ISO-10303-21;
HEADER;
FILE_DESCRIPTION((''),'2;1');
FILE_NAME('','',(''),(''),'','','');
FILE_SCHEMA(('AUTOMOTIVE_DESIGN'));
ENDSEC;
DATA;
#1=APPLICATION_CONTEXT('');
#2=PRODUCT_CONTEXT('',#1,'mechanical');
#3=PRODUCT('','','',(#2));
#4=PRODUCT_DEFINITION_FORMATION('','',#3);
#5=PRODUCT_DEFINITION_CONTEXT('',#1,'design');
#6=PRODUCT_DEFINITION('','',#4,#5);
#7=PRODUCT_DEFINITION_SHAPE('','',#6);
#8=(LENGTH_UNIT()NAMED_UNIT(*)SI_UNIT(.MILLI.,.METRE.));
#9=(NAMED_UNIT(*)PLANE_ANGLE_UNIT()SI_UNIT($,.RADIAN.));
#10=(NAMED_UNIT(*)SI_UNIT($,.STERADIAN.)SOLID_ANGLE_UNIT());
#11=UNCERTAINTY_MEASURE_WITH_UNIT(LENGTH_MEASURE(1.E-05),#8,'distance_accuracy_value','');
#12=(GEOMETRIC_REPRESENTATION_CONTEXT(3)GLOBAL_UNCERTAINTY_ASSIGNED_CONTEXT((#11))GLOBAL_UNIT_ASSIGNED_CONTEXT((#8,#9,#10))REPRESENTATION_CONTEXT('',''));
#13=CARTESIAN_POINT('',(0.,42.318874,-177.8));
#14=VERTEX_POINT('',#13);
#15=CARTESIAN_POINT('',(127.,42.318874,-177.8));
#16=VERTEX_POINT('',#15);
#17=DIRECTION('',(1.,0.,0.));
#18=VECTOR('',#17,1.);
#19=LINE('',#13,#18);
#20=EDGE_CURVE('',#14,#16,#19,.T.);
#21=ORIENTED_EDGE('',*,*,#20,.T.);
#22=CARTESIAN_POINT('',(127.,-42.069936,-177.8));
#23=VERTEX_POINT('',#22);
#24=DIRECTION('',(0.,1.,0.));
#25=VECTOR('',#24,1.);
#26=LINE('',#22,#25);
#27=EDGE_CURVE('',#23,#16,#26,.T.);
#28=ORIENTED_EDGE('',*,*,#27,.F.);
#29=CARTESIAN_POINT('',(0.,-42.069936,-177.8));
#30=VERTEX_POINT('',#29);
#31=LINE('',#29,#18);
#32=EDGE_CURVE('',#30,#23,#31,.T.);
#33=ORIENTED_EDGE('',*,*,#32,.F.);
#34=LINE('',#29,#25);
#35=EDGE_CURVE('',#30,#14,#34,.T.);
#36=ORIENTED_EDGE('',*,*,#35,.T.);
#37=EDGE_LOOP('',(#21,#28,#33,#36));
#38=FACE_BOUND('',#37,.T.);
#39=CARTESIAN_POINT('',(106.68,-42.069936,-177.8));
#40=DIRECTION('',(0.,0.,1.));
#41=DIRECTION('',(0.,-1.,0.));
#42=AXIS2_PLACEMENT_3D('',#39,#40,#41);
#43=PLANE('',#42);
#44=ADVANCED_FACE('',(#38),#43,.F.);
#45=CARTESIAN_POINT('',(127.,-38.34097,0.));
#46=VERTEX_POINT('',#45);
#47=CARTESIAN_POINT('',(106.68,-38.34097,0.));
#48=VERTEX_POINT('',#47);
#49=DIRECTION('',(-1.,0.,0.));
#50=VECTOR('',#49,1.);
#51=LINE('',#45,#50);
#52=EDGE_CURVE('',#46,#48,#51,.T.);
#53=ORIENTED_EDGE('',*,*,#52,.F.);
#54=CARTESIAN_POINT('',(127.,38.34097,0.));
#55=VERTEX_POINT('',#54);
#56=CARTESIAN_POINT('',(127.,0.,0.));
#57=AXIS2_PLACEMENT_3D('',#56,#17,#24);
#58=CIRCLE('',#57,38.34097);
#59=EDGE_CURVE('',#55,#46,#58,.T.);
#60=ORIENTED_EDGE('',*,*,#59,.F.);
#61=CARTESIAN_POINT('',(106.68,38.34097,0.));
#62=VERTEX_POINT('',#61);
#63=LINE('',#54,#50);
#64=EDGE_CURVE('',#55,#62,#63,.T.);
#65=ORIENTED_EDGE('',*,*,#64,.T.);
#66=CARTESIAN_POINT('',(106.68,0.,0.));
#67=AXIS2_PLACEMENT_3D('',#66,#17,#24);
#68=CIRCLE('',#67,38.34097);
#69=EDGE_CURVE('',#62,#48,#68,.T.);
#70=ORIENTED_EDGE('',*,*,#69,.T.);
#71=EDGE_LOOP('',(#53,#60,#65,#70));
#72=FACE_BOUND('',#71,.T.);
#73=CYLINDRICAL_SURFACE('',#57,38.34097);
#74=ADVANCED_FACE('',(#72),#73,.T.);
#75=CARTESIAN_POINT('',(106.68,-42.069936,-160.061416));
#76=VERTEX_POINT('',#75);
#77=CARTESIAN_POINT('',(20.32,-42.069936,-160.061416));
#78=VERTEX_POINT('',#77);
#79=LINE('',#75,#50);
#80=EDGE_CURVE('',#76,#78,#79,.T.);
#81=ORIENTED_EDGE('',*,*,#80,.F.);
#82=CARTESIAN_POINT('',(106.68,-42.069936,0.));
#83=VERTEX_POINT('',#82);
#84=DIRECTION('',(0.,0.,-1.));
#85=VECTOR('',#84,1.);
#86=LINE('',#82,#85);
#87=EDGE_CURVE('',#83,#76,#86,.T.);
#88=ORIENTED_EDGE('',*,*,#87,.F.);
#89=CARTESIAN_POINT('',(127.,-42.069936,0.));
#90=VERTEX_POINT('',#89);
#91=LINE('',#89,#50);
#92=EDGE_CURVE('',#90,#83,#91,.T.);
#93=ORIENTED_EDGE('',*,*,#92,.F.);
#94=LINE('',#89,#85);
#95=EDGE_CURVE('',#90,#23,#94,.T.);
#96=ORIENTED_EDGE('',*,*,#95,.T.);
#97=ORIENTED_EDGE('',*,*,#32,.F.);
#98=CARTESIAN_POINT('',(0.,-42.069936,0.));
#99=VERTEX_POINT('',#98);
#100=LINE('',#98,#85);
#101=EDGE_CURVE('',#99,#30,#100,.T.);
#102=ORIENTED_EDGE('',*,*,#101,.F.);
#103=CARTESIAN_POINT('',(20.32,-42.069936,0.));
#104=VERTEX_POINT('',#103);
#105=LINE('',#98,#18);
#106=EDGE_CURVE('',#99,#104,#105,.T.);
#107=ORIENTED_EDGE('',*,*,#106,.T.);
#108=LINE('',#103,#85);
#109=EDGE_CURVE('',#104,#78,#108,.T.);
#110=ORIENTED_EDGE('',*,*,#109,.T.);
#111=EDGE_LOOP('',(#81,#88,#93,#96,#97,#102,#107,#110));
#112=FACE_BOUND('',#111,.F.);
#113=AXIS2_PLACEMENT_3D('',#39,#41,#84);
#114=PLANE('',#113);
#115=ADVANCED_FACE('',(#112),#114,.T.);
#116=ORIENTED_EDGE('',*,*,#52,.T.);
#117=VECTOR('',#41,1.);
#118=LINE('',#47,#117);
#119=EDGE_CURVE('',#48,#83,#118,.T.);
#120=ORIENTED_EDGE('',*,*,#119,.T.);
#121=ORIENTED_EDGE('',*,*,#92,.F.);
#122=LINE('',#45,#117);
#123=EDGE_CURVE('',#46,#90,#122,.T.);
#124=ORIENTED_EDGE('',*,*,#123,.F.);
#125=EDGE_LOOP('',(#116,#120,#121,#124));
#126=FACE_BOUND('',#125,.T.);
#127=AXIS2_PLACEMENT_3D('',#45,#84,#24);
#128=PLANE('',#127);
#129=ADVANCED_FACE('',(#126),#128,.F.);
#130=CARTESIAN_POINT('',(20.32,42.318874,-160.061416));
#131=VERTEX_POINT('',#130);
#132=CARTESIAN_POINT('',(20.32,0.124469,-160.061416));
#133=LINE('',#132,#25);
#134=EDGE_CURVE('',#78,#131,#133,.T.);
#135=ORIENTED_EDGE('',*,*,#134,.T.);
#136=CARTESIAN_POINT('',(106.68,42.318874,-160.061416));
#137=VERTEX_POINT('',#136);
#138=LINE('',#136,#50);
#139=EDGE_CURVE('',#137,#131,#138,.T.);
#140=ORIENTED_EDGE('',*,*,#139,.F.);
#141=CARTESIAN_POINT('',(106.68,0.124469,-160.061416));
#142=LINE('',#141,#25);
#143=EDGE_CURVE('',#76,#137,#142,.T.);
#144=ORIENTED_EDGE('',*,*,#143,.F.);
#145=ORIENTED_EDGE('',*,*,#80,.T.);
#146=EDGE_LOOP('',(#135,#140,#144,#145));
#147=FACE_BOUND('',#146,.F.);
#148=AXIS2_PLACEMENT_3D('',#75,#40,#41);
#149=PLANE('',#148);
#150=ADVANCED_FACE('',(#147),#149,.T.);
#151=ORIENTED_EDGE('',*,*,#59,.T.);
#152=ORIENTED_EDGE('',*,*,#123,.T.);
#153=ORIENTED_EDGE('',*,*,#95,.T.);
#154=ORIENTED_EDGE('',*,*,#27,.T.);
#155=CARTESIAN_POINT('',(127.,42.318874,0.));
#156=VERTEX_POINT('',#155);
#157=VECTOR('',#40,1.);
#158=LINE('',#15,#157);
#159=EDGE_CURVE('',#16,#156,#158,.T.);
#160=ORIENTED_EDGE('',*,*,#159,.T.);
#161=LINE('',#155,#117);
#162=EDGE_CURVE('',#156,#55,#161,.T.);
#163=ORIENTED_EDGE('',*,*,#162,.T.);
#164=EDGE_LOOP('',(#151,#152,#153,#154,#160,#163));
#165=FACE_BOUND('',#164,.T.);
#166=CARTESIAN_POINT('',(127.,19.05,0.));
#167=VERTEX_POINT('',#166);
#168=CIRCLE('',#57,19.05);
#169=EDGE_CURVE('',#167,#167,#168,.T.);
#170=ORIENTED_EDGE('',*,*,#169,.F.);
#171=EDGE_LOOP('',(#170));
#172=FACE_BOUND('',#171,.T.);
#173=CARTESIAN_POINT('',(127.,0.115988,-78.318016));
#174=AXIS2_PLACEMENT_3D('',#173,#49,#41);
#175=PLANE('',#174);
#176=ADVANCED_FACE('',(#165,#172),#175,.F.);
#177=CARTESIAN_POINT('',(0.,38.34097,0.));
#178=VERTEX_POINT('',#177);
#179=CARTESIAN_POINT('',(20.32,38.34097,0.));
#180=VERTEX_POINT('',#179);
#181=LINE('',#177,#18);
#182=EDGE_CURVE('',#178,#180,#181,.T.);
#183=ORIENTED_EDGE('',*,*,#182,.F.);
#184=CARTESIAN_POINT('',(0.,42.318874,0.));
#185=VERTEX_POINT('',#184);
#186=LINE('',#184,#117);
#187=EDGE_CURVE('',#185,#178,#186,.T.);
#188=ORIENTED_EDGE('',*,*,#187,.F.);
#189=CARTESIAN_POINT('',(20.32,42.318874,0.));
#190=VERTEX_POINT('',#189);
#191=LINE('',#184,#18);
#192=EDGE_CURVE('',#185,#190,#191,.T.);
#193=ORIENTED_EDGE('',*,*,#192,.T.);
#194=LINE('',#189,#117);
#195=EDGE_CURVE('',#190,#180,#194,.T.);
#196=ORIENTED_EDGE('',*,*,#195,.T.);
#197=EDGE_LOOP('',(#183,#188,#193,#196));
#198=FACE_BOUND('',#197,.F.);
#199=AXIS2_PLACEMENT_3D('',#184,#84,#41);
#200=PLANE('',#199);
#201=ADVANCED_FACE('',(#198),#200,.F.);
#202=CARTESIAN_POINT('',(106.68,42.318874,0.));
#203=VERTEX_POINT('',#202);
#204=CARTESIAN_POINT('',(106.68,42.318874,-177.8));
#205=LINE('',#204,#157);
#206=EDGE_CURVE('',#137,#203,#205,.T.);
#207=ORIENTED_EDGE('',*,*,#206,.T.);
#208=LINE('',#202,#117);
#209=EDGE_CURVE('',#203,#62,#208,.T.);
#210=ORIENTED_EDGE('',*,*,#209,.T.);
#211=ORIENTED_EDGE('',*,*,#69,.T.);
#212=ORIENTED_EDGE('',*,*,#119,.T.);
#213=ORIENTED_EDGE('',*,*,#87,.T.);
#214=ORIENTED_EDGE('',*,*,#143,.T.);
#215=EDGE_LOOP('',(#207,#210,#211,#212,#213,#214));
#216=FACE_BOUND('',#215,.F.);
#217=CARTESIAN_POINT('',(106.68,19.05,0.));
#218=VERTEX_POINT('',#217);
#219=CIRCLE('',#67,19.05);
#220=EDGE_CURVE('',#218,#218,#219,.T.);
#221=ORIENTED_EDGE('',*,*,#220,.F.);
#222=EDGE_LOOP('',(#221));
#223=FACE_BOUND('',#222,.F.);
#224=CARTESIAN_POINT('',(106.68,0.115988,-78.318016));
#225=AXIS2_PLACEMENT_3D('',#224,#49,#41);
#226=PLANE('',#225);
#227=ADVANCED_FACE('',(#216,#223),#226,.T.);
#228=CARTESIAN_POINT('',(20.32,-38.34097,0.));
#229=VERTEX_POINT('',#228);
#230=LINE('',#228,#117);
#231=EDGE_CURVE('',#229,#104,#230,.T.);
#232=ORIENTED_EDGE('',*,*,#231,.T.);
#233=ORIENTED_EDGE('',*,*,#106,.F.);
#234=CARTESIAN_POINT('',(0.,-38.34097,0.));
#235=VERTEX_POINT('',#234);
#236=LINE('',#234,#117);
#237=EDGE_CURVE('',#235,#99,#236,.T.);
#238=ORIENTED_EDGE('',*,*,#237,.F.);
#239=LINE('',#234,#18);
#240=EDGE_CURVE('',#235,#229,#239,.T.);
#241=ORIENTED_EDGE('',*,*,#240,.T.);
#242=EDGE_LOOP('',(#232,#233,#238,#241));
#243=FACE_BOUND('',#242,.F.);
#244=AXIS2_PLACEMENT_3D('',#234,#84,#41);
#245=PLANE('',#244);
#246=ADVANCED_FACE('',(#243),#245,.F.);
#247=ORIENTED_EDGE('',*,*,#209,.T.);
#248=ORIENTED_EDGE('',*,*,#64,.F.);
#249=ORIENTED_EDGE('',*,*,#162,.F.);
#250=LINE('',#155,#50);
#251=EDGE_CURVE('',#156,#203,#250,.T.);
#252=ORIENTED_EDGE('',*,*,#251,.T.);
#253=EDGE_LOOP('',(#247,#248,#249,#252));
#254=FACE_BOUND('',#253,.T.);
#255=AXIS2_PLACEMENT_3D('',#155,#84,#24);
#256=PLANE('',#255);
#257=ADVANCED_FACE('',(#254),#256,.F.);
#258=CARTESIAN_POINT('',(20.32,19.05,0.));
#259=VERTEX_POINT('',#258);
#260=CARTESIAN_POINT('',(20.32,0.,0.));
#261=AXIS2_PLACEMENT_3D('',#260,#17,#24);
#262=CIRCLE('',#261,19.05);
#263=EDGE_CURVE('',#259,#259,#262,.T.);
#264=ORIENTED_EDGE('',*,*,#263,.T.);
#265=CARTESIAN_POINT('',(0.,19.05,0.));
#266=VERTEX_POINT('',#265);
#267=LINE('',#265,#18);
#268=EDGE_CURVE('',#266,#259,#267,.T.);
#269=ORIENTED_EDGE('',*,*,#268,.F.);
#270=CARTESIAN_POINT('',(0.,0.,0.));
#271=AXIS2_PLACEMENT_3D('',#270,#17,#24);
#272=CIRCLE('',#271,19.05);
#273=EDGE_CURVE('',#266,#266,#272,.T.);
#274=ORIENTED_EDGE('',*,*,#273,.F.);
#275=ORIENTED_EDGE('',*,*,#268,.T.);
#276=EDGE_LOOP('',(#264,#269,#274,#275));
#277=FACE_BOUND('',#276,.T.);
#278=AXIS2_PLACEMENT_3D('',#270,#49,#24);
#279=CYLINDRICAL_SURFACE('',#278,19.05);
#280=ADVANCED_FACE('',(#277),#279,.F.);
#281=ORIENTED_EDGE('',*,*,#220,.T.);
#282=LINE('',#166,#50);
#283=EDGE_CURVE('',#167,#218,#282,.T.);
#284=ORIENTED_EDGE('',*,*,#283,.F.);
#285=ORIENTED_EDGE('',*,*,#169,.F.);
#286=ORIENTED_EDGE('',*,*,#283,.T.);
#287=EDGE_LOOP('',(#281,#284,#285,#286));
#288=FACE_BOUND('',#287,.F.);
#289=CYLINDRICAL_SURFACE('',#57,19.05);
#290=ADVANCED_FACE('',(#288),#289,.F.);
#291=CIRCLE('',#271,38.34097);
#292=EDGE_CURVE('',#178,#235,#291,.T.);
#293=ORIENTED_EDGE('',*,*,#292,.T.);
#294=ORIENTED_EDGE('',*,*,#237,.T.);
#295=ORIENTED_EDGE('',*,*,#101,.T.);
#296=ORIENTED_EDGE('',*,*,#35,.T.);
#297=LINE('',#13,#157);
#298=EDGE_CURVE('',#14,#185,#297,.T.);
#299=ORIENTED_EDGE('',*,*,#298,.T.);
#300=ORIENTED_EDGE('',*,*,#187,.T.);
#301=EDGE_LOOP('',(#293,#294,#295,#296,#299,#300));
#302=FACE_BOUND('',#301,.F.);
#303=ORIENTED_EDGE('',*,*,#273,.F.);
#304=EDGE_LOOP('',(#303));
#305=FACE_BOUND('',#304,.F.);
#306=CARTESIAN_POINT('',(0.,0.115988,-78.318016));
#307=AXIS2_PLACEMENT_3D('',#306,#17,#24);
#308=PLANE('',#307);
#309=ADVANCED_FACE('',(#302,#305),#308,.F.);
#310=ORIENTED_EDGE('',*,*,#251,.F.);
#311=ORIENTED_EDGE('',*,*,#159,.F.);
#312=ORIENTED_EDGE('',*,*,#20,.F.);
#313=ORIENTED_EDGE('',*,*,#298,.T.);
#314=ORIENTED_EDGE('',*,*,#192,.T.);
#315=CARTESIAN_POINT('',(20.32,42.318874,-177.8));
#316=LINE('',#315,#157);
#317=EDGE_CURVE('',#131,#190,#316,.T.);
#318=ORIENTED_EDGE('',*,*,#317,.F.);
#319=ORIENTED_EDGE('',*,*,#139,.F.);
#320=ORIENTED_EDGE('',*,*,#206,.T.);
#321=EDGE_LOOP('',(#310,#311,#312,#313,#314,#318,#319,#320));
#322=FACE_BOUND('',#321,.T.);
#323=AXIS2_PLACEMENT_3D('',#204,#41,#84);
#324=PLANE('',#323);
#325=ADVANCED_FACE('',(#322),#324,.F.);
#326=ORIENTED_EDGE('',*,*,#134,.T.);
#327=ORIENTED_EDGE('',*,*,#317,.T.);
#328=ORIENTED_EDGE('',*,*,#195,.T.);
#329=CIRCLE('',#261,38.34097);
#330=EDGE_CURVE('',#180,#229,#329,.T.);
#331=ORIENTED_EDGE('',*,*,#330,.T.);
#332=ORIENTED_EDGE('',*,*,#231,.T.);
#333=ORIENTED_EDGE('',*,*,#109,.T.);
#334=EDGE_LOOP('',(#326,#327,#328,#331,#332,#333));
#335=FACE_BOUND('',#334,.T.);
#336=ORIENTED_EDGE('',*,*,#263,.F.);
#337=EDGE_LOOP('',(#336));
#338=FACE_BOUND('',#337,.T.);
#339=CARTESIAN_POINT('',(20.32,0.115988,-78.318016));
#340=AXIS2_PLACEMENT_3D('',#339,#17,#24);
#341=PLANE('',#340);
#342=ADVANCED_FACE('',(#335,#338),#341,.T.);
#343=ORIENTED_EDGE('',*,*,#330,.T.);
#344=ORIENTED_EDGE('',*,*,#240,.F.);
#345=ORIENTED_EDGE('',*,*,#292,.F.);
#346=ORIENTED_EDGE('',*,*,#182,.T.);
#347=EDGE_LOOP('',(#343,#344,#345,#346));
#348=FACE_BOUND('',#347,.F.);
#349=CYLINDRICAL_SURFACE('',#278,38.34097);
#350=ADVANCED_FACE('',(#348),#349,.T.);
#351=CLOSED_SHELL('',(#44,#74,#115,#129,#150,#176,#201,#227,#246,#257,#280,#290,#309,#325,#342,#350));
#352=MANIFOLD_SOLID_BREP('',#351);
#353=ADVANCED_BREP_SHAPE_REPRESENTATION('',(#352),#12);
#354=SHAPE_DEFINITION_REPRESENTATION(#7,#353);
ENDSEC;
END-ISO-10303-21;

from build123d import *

# Parameters (mm, degrees)
F0_R     = 19.05
F1_DEPTH = 20.32
F2_W     = 84.38881
F2_H     = 17.738584
F3_DEPTH = 43.18


with BuildPart() as f1:
    # F0 (on Right) → F1 (new body)
    with BuildSketch(Plane.YZ):
        with BuildLine():
            Line((-38.34097, 0), (-42.069936, 0))
            Line((-42.069936, 0), (-42.069936, -177.8))
            Line((-42.069936, -177.8), (42.318874, -177.8))
            Line((42.318874, -177.8), (42.318874, 0))
            Line((42.318874, 0), (38.34097, 0))
            ThreePointArc((38.34097, 0), (0, 38.34097), (-38.34097, 0))
        make_face()
        Circle(F0_R, mode=Mode.SUBTRACT)
    extrude(amount=F1_DEPTH)

    # F2 (on face) → F3 (join)
    with BuildSketch(Plane.YZ.offset(20.32)):
        with Locations((0.124469, -168.930708)):
            Rectangle(F2_W, F2_H)
    extrude(amount=F3_DEPTH)

    # F4: F1 across face


with BuildPart() as f1_1:
    add(f1.part)
    add(f1.part.mirror(Plane(origin=(63.5, 0.124469, -168.930708), x_dir=(0, 1, 0), z_dir=(1, 0, 0))))


solid = f1_1.part
